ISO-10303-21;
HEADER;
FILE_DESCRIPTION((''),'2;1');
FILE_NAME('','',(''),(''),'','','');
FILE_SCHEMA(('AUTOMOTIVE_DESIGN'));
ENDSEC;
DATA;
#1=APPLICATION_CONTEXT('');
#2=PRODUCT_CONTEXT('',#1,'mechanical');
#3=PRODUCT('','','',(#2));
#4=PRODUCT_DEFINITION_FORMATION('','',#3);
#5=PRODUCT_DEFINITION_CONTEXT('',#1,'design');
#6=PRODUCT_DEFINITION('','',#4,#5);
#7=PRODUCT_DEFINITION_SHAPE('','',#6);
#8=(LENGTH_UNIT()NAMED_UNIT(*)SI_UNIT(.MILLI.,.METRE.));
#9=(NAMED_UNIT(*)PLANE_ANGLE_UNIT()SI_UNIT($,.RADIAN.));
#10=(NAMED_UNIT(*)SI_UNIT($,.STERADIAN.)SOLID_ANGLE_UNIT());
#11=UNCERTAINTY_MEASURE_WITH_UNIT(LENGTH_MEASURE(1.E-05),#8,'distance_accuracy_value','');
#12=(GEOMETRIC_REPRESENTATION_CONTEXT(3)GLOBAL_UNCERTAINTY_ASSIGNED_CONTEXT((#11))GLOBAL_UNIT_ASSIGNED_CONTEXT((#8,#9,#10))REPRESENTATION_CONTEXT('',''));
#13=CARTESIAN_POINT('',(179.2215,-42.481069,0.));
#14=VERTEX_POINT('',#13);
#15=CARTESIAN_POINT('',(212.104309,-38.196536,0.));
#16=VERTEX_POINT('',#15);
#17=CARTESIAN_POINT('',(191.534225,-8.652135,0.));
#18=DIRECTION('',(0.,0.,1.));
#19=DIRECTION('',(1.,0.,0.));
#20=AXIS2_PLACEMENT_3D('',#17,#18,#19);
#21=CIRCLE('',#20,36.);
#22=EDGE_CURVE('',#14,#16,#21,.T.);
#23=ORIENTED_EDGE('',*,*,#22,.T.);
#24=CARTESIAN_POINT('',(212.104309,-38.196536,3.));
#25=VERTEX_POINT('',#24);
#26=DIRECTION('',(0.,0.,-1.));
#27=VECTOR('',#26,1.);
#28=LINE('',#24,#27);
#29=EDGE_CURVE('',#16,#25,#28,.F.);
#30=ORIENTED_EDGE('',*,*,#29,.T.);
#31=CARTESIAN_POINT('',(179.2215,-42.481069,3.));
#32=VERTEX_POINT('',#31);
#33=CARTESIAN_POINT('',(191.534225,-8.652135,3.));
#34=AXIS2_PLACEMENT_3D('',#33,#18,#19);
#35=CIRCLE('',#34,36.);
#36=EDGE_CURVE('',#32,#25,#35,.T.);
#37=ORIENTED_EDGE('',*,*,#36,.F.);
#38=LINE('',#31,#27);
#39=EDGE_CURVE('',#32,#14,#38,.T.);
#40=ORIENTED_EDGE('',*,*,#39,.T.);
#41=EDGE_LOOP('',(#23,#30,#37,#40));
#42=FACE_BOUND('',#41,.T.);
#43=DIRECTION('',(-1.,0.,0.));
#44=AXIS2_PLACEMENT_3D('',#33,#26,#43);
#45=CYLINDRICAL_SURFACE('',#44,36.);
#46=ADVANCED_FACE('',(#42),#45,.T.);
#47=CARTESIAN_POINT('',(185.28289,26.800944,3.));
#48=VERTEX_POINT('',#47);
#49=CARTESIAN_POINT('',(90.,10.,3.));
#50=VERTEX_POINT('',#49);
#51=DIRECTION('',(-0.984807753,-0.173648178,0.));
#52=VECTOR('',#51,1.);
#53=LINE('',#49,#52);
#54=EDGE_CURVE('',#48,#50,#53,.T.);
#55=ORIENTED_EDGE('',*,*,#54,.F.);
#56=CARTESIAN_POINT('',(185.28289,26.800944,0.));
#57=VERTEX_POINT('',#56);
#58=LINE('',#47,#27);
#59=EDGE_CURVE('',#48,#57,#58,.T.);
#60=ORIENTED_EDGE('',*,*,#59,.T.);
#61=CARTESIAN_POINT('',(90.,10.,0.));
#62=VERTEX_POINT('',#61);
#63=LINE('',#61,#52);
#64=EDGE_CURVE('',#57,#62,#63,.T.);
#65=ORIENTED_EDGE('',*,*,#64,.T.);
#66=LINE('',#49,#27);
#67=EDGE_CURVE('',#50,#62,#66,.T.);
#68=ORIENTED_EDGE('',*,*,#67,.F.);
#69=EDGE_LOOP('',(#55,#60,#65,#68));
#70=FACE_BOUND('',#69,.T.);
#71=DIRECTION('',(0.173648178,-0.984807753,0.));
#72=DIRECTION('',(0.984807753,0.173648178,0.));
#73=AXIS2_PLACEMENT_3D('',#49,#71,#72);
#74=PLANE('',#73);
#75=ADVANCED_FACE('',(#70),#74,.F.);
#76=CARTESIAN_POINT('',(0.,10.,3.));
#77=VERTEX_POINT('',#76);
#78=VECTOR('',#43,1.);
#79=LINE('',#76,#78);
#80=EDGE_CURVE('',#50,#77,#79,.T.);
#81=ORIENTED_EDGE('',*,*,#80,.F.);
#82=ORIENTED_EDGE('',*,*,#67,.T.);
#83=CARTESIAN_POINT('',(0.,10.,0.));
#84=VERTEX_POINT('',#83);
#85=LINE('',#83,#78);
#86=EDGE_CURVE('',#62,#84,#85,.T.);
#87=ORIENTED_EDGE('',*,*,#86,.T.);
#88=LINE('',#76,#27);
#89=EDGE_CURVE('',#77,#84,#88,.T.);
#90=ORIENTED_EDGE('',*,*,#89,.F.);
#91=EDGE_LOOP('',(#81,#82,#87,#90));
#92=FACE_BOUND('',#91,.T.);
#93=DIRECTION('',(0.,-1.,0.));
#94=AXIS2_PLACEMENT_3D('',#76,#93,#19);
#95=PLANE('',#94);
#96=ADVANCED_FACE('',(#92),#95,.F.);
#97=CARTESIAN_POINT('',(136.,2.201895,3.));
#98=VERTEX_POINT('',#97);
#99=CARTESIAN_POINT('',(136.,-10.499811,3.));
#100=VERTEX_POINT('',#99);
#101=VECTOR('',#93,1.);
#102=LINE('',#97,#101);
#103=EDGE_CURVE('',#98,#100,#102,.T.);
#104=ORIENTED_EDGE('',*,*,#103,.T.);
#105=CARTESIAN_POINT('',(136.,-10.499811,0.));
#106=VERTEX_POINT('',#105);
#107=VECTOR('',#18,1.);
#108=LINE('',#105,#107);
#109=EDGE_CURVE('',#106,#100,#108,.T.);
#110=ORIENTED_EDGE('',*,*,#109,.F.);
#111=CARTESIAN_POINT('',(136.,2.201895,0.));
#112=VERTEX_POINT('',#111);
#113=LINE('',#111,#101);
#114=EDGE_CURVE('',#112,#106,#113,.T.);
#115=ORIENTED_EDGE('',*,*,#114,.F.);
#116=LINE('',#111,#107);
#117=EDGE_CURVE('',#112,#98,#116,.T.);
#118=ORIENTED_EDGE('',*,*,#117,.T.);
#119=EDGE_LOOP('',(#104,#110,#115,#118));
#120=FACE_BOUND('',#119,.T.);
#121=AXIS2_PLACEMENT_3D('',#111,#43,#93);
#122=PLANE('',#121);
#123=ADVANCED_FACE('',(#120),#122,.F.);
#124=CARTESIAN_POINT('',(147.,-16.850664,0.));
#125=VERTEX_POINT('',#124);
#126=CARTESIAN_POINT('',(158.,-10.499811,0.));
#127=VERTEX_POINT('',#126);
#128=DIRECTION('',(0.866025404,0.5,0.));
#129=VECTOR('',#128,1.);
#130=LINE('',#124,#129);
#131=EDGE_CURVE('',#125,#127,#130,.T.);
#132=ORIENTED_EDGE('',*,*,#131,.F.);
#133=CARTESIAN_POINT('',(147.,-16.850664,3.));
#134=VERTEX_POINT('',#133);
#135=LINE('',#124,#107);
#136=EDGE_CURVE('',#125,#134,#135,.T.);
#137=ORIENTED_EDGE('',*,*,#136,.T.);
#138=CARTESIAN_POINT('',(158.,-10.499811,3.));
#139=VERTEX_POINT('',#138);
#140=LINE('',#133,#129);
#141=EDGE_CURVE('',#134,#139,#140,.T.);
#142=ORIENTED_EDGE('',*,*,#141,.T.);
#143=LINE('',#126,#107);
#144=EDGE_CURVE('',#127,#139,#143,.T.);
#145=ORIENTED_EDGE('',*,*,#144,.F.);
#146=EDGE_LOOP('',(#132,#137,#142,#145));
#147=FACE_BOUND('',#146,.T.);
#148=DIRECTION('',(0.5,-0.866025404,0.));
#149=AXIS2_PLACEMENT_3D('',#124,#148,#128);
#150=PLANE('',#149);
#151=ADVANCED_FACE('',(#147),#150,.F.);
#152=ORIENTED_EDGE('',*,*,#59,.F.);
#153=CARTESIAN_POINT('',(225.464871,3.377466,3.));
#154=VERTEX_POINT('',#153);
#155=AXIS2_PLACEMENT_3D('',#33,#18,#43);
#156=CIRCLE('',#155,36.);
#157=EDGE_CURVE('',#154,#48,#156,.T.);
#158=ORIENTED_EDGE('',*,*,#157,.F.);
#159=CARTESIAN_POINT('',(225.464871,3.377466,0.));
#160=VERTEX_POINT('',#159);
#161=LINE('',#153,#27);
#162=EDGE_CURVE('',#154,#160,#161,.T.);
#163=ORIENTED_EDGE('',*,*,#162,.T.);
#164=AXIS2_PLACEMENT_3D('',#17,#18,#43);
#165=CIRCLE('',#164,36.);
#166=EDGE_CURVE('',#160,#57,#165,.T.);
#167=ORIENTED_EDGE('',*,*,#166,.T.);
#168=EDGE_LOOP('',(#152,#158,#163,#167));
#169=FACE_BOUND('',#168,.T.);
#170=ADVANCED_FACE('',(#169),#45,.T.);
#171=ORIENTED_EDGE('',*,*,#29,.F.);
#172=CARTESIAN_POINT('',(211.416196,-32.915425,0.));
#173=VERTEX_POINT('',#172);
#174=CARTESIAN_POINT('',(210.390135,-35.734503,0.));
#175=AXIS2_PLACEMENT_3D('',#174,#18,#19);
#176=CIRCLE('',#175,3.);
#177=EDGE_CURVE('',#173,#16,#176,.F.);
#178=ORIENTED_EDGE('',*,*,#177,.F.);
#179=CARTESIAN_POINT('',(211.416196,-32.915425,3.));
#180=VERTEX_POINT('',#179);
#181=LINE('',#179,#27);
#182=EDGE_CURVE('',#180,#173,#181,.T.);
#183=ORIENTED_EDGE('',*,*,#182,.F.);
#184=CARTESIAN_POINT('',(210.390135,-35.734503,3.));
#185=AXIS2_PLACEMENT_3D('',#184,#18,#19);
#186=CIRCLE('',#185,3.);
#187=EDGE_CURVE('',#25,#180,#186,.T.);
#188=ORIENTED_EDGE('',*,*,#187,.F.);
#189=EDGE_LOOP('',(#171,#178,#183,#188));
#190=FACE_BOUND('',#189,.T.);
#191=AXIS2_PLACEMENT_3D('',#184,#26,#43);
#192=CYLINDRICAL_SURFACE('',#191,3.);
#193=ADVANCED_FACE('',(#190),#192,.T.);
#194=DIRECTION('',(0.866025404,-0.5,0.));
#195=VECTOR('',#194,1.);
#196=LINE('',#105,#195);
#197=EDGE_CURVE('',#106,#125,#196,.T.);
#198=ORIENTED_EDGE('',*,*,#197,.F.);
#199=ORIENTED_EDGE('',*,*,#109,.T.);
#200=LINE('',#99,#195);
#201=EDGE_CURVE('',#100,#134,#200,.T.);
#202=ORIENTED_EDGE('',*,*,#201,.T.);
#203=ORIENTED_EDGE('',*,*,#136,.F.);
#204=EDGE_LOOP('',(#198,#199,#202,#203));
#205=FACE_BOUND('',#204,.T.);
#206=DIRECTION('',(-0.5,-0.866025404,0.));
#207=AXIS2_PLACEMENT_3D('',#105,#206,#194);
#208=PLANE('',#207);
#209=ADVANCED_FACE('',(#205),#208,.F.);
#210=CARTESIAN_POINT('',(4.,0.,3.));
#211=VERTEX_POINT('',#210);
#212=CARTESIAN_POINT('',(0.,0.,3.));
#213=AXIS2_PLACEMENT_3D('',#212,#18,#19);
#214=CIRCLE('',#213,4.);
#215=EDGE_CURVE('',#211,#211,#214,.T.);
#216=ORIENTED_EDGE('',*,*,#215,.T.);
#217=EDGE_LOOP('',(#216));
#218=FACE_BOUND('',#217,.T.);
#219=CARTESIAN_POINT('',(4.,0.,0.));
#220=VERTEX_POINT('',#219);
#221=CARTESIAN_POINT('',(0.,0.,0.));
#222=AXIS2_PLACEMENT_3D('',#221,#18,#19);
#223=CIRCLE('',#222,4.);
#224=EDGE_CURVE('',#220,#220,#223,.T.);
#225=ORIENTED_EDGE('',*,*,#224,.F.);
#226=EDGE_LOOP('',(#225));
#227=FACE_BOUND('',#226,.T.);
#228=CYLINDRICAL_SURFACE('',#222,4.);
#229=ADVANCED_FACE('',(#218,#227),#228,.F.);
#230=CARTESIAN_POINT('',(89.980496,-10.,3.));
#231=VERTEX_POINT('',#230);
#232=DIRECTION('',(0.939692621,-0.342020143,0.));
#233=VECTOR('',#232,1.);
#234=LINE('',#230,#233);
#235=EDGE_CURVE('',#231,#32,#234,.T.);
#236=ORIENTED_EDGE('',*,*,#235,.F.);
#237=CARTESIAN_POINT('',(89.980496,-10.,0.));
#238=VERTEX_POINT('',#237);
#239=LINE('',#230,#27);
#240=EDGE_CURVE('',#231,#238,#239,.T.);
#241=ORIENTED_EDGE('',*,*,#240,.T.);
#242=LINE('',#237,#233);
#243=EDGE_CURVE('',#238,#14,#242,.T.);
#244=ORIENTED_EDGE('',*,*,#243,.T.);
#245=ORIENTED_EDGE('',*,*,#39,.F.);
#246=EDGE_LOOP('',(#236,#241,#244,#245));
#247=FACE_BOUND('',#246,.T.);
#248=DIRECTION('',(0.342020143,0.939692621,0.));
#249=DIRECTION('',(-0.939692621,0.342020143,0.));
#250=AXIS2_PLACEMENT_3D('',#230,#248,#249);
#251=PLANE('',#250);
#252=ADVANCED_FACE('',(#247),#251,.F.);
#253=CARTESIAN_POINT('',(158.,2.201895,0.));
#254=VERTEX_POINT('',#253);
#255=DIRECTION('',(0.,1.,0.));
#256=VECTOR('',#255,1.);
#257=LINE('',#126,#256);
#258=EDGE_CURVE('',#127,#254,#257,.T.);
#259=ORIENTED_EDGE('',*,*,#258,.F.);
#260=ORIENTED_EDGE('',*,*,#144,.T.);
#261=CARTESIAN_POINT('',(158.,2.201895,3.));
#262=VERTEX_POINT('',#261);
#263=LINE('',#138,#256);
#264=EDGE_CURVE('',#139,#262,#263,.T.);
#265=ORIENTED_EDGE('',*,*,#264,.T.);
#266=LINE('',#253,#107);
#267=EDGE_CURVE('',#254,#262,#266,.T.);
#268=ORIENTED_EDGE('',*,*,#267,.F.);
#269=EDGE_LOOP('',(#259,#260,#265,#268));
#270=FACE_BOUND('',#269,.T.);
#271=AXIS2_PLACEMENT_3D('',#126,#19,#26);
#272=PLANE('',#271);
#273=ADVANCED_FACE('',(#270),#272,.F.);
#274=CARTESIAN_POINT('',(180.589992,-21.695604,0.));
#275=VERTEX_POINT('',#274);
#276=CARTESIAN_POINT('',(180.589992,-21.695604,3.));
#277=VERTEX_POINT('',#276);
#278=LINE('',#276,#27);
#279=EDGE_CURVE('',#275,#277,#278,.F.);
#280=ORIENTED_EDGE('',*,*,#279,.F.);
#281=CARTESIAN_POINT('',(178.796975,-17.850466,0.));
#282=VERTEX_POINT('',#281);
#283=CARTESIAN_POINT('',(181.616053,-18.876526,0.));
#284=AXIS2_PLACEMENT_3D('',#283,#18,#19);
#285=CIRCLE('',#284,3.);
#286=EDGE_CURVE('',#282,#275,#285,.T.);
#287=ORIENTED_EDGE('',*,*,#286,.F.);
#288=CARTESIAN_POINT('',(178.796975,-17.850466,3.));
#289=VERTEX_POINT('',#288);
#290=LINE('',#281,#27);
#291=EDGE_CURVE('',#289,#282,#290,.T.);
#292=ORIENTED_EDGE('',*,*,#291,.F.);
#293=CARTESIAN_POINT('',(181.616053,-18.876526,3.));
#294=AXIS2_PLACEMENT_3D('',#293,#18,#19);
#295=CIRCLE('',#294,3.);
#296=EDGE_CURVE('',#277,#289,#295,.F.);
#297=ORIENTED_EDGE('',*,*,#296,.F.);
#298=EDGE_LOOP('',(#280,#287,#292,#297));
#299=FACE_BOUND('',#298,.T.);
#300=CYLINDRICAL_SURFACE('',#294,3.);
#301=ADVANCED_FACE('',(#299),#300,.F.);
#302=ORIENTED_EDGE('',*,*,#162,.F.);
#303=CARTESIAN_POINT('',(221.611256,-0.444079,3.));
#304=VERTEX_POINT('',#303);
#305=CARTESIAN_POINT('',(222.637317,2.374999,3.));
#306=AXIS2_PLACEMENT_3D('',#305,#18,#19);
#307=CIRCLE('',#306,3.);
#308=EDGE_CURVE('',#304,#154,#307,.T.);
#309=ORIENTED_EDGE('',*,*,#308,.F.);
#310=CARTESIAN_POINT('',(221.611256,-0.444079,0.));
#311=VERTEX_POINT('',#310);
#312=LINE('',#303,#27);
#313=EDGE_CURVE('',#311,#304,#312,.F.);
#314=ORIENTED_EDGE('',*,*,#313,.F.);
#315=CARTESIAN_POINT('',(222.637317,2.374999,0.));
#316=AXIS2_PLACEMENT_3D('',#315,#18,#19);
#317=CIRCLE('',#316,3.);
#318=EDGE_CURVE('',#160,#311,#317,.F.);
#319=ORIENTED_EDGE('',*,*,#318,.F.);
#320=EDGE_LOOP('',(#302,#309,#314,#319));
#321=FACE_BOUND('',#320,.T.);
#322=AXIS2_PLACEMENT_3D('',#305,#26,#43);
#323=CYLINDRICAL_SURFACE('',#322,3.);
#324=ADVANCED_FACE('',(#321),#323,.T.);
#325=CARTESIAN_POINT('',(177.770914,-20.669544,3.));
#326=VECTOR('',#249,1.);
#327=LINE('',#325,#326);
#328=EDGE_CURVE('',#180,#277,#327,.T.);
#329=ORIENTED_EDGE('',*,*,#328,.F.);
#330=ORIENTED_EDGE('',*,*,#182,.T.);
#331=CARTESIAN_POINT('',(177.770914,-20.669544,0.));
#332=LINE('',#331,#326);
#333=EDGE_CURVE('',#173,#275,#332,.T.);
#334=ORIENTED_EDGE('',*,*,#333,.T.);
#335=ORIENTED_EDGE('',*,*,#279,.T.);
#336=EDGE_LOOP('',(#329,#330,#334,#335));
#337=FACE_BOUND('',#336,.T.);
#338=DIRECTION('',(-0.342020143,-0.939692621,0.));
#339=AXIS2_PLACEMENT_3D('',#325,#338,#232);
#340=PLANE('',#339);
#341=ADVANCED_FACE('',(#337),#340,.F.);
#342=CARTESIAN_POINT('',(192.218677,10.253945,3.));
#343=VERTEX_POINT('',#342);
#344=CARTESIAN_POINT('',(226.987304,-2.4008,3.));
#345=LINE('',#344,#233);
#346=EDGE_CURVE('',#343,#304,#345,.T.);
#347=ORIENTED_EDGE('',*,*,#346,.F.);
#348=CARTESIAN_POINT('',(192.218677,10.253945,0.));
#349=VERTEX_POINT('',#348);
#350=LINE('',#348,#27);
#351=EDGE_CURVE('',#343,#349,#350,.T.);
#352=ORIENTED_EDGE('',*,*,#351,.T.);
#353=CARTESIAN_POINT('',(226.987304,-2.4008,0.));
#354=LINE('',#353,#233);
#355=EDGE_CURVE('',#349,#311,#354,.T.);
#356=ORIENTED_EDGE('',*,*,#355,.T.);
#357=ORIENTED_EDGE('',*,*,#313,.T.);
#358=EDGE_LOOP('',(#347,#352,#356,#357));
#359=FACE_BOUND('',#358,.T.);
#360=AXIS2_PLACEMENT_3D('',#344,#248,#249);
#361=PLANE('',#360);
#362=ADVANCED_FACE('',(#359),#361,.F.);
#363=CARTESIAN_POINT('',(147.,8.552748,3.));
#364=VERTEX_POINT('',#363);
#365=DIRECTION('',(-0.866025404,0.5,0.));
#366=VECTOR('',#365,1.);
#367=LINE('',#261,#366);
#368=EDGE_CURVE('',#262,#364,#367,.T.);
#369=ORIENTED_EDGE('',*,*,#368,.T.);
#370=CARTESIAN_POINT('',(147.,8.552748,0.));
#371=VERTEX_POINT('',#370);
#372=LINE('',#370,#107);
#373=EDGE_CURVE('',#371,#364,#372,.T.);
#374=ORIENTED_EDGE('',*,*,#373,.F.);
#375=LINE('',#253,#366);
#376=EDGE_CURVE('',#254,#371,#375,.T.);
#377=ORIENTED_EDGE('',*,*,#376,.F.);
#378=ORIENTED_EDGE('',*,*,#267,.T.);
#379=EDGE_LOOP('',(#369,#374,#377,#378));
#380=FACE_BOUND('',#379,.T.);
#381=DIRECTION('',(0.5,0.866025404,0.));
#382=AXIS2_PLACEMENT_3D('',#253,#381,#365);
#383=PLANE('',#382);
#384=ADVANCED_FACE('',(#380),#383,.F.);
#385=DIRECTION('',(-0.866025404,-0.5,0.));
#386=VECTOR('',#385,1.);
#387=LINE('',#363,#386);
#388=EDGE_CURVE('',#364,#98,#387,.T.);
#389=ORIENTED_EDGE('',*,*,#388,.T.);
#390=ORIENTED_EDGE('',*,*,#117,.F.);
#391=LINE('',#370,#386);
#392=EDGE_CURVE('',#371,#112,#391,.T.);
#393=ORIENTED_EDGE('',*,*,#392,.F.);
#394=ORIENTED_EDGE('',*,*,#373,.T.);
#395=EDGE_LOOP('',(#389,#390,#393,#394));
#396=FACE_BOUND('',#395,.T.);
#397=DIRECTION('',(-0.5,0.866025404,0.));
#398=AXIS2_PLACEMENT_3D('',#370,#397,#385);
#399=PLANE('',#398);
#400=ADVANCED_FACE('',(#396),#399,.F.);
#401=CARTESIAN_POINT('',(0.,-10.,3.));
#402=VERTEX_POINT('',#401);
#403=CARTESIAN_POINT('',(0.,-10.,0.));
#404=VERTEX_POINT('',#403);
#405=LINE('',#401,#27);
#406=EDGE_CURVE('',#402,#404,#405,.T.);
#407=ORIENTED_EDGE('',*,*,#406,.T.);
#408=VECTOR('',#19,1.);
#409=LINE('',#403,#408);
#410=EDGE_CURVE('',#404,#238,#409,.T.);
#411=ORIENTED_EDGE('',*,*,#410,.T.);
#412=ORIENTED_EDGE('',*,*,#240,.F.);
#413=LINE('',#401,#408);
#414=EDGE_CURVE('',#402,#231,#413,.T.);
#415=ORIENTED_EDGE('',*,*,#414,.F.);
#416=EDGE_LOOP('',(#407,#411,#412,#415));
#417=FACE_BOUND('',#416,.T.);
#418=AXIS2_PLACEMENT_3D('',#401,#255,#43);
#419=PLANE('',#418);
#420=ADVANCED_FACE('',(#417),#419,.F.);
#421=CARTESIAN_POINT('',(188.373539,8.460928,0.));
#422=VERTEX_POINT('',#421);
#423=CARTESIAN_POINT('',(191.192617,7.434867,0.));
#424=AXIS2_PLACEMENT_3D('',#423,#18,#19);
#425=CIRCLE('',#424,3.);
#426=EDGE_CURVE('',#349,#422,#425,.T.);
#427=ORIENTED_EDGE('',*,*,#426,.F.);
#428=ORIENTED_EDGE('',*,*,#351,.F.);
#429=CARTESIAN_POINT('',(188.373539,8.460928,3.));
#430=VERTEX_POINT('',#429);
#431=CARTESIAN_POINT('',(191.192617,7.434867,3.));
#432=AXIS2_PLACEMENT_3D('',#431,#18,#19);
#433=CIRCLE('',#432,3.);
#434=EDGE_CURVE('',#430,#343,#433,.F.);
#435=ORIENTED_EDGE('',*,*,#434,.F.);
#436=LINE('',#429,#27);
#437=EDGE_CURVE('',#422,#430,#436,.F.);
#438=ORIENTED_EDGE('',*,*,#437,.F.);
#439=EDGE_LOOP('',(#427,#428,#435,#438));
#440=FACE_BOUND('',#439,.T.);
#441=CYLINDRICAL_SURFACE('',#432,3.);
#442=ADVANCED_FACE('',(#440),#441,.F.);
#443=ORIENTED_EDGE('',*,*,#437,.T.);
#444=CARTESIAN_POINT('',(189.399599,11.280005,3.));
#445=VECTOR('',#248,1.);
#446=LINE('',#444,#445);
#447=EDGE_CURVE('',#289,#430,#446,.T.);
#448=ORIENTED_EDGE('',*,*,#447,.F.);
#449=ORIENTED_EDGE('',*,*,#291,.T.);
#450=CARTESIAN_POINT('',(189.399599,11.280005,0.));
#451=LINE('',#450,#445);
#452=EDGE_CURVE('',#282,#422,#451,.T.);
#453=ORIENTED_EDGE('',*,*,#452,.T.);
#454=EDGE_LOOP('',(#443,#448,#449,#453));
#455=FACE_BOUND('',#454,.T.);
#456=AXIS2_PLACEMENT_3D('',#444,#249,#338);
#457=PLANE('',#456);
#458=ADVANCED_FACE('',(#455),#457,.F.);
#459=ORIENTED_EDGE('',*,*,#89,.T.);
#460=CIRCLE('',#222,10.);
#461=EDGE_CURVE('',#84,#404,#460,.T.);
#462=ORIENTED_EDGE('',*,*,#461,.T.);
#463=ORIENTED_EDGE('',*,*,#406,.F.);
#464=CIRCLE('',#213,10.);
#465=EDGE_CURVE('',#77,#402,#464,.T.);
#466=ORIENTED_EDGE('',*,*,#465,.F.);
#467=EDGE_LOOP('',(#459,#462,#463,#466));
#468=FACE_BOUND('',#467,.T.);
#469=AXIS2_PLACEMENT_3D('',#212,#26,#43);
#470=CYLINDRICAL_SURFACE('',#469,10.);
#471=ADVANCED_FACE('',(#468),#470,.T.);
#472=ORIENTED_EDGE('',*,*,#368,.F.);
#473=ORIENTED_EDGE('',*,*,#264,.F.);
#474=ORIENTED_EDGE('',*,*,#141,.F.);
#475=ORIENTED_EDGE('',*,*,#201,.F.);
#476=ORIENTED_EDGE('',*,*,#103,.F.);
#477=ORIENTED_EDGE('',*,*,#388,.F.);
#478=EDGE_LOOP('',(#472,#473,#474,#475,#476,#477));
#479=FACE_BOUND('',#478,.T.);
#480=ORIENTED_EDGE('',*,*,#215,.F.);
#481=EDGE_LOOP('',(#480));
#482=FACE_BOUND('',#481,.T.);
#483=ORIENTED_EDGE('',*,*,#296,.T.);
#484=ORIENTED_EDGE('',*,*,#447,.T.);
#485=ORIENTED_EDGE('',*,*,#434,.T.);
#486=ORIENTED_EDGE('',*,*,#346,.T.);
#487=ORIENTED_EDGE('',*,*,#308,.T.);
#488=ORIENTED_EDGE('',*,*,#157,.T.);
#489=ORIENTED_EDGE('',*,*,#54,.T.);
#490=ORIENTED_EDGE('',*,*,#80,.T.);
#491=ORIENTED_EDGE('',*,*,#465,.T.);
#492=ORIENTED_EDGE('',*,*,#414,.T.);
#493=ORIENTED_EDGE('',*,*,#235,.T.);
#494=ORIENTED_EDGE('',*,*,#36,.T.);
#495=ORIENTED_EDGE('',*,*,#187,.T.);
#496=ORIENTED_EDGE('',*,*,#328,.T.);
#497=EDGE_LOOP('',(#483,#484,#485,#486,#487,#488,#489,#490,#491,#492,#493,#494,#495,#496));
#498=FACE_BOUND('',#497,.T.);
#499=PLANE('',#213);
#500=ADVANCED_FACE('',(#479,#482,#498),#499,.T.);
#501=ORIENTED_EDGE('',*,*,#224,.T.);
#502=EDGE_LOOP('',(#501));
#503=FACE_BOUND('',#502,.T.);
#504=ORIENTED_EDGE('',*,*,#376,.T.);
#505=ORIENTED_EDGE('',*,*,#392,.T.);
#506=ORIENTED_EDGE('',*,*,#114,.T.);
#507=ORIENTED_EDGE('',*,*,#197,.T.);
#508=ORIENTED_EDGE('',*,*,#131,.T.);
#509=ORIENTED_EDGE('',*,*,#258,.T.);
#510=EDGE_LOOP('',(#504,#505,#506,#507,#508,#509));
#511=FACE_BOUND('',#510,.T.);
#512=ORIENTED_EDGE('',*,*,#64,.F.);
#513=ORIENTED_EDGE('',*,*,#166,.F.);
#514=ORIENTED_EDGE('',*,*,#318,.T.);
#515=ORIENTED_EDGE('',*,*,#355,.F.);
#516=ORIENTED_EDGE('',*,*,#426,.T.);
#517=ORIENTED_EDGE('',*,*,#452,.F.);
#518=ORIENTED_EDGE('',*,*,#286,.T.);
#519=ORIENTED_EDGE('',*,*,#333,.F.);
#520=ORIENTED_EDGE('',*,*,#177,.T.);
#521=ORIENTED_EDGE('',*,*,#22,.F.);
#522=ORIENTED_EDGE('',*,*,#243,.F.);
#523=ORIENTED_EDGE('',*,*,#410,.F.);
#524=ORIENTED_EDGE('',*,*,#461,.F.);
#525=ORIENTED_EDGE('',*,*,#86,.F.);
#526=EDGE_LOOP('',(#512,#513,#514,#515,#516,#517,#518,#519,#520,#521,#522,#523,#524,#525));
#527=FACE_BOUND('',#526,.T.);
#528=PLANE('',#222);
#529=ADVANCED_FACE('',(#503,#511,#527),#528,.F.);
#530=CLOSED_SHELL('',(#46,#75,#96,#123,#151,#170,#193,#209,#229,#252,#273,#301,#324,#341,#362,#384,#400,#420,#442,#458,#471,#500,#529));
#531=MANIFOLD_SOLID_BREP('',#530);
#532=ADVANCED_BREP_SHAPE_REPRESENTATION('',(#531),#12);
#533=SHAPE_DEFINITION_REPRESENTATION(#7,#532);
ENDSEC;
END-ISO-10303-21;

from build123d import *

# Parameters (mm, degrees)
BOSS_EXTRUDE1_DEPTH = 3
SKETCH3_R           = 4
CUT_EXTRUDE1_DEPTH  = 3
FILLET2_R           = 3
FILLET3_R           = 3
FILLET4_R           = 3
FILLET5_R           = 3


with BuildPart() as part:
    # Sketch2 → Boss-Extrude1 (new body)
    with BuildSketch(Plane.XY):
        with BuildLine():
            Line((0, 10), (90, 10))
            Line((90, 10), (185.282890453, 26.800944387))
            ThreePointArc((185.282890453, 26.800944387), (212.182976557, 20.837338873), (226.987303957, -2.400800326))
            Line((226.987303957, -2.400800326), (189.399599126, 11.280005407))
            Line((189.399599126, 11.280005407), (177.770914253, -20.669543699))
            Line((177.770914253, -20.669543699), (216.366079007, -34.717034857))
            ThreePointArc((216.366079007, -34.717034857), (198.899834433, -43.890576734), (179.221499689, -42.48106907))
            Line((179.221499689, -42.48106907), (89.98049586, -10))
            Line((89.98049586, -10), (0, -10))
            ThreePointArc((0, -10), (-10, 0), (0, 10))
        make_face()
    extrude(amount=BOSS_EXTRUDE1_DEPTH)

    # Sketch3 → Cut-Extrude1 (cut)
    with BuildSketch(Plane.XY.offset(3)):
        Circle(SKETCH3_R)
        Polygon((147, -16.85066389), (158, -10.499810929), (158, 2.201894993), (147, 8.552747954), (136, 2.201894993), (136, -10.499810929), align=None)
    extrude(amount=-CUT_EXTRUDE1_DEPTH, mode=Mode.SUBTRACT)

    # Fillet2
    fillet2_edges = [part.edges().sort_by_distance(p)[0] for p in [
        (216.366079007, -34.717034857, 1.5),
    ]]
    fillet(fillet2_edges, radius=FILLET2_R)

    # Fillet3
    fillet3_edges = [part.edges().sort_by_distance(p)[0] for p in [
        (226.987303957, -2.400800326, 1.5),
    ]]
    fillet(fillet3_edges, radius=FILLET3_R)

    # Fillet4
    fillet4_edges = [part.edges().sort_by_distance(p)[0] for p in [
        (177.770914253, -20.669543699, 1.5),
    ]]
    fillet(fillet4_edges, radius=FILLET4_R)

    # Fillet5
    fillet5_edges = [part.edges().sort_by_distance(p)[0] for p in [
        (189.399599126, 11.280005407, 1.5),
    ]]
    fillet(fillet5_edges, radius=FILLET5_R)


solid = part.part
